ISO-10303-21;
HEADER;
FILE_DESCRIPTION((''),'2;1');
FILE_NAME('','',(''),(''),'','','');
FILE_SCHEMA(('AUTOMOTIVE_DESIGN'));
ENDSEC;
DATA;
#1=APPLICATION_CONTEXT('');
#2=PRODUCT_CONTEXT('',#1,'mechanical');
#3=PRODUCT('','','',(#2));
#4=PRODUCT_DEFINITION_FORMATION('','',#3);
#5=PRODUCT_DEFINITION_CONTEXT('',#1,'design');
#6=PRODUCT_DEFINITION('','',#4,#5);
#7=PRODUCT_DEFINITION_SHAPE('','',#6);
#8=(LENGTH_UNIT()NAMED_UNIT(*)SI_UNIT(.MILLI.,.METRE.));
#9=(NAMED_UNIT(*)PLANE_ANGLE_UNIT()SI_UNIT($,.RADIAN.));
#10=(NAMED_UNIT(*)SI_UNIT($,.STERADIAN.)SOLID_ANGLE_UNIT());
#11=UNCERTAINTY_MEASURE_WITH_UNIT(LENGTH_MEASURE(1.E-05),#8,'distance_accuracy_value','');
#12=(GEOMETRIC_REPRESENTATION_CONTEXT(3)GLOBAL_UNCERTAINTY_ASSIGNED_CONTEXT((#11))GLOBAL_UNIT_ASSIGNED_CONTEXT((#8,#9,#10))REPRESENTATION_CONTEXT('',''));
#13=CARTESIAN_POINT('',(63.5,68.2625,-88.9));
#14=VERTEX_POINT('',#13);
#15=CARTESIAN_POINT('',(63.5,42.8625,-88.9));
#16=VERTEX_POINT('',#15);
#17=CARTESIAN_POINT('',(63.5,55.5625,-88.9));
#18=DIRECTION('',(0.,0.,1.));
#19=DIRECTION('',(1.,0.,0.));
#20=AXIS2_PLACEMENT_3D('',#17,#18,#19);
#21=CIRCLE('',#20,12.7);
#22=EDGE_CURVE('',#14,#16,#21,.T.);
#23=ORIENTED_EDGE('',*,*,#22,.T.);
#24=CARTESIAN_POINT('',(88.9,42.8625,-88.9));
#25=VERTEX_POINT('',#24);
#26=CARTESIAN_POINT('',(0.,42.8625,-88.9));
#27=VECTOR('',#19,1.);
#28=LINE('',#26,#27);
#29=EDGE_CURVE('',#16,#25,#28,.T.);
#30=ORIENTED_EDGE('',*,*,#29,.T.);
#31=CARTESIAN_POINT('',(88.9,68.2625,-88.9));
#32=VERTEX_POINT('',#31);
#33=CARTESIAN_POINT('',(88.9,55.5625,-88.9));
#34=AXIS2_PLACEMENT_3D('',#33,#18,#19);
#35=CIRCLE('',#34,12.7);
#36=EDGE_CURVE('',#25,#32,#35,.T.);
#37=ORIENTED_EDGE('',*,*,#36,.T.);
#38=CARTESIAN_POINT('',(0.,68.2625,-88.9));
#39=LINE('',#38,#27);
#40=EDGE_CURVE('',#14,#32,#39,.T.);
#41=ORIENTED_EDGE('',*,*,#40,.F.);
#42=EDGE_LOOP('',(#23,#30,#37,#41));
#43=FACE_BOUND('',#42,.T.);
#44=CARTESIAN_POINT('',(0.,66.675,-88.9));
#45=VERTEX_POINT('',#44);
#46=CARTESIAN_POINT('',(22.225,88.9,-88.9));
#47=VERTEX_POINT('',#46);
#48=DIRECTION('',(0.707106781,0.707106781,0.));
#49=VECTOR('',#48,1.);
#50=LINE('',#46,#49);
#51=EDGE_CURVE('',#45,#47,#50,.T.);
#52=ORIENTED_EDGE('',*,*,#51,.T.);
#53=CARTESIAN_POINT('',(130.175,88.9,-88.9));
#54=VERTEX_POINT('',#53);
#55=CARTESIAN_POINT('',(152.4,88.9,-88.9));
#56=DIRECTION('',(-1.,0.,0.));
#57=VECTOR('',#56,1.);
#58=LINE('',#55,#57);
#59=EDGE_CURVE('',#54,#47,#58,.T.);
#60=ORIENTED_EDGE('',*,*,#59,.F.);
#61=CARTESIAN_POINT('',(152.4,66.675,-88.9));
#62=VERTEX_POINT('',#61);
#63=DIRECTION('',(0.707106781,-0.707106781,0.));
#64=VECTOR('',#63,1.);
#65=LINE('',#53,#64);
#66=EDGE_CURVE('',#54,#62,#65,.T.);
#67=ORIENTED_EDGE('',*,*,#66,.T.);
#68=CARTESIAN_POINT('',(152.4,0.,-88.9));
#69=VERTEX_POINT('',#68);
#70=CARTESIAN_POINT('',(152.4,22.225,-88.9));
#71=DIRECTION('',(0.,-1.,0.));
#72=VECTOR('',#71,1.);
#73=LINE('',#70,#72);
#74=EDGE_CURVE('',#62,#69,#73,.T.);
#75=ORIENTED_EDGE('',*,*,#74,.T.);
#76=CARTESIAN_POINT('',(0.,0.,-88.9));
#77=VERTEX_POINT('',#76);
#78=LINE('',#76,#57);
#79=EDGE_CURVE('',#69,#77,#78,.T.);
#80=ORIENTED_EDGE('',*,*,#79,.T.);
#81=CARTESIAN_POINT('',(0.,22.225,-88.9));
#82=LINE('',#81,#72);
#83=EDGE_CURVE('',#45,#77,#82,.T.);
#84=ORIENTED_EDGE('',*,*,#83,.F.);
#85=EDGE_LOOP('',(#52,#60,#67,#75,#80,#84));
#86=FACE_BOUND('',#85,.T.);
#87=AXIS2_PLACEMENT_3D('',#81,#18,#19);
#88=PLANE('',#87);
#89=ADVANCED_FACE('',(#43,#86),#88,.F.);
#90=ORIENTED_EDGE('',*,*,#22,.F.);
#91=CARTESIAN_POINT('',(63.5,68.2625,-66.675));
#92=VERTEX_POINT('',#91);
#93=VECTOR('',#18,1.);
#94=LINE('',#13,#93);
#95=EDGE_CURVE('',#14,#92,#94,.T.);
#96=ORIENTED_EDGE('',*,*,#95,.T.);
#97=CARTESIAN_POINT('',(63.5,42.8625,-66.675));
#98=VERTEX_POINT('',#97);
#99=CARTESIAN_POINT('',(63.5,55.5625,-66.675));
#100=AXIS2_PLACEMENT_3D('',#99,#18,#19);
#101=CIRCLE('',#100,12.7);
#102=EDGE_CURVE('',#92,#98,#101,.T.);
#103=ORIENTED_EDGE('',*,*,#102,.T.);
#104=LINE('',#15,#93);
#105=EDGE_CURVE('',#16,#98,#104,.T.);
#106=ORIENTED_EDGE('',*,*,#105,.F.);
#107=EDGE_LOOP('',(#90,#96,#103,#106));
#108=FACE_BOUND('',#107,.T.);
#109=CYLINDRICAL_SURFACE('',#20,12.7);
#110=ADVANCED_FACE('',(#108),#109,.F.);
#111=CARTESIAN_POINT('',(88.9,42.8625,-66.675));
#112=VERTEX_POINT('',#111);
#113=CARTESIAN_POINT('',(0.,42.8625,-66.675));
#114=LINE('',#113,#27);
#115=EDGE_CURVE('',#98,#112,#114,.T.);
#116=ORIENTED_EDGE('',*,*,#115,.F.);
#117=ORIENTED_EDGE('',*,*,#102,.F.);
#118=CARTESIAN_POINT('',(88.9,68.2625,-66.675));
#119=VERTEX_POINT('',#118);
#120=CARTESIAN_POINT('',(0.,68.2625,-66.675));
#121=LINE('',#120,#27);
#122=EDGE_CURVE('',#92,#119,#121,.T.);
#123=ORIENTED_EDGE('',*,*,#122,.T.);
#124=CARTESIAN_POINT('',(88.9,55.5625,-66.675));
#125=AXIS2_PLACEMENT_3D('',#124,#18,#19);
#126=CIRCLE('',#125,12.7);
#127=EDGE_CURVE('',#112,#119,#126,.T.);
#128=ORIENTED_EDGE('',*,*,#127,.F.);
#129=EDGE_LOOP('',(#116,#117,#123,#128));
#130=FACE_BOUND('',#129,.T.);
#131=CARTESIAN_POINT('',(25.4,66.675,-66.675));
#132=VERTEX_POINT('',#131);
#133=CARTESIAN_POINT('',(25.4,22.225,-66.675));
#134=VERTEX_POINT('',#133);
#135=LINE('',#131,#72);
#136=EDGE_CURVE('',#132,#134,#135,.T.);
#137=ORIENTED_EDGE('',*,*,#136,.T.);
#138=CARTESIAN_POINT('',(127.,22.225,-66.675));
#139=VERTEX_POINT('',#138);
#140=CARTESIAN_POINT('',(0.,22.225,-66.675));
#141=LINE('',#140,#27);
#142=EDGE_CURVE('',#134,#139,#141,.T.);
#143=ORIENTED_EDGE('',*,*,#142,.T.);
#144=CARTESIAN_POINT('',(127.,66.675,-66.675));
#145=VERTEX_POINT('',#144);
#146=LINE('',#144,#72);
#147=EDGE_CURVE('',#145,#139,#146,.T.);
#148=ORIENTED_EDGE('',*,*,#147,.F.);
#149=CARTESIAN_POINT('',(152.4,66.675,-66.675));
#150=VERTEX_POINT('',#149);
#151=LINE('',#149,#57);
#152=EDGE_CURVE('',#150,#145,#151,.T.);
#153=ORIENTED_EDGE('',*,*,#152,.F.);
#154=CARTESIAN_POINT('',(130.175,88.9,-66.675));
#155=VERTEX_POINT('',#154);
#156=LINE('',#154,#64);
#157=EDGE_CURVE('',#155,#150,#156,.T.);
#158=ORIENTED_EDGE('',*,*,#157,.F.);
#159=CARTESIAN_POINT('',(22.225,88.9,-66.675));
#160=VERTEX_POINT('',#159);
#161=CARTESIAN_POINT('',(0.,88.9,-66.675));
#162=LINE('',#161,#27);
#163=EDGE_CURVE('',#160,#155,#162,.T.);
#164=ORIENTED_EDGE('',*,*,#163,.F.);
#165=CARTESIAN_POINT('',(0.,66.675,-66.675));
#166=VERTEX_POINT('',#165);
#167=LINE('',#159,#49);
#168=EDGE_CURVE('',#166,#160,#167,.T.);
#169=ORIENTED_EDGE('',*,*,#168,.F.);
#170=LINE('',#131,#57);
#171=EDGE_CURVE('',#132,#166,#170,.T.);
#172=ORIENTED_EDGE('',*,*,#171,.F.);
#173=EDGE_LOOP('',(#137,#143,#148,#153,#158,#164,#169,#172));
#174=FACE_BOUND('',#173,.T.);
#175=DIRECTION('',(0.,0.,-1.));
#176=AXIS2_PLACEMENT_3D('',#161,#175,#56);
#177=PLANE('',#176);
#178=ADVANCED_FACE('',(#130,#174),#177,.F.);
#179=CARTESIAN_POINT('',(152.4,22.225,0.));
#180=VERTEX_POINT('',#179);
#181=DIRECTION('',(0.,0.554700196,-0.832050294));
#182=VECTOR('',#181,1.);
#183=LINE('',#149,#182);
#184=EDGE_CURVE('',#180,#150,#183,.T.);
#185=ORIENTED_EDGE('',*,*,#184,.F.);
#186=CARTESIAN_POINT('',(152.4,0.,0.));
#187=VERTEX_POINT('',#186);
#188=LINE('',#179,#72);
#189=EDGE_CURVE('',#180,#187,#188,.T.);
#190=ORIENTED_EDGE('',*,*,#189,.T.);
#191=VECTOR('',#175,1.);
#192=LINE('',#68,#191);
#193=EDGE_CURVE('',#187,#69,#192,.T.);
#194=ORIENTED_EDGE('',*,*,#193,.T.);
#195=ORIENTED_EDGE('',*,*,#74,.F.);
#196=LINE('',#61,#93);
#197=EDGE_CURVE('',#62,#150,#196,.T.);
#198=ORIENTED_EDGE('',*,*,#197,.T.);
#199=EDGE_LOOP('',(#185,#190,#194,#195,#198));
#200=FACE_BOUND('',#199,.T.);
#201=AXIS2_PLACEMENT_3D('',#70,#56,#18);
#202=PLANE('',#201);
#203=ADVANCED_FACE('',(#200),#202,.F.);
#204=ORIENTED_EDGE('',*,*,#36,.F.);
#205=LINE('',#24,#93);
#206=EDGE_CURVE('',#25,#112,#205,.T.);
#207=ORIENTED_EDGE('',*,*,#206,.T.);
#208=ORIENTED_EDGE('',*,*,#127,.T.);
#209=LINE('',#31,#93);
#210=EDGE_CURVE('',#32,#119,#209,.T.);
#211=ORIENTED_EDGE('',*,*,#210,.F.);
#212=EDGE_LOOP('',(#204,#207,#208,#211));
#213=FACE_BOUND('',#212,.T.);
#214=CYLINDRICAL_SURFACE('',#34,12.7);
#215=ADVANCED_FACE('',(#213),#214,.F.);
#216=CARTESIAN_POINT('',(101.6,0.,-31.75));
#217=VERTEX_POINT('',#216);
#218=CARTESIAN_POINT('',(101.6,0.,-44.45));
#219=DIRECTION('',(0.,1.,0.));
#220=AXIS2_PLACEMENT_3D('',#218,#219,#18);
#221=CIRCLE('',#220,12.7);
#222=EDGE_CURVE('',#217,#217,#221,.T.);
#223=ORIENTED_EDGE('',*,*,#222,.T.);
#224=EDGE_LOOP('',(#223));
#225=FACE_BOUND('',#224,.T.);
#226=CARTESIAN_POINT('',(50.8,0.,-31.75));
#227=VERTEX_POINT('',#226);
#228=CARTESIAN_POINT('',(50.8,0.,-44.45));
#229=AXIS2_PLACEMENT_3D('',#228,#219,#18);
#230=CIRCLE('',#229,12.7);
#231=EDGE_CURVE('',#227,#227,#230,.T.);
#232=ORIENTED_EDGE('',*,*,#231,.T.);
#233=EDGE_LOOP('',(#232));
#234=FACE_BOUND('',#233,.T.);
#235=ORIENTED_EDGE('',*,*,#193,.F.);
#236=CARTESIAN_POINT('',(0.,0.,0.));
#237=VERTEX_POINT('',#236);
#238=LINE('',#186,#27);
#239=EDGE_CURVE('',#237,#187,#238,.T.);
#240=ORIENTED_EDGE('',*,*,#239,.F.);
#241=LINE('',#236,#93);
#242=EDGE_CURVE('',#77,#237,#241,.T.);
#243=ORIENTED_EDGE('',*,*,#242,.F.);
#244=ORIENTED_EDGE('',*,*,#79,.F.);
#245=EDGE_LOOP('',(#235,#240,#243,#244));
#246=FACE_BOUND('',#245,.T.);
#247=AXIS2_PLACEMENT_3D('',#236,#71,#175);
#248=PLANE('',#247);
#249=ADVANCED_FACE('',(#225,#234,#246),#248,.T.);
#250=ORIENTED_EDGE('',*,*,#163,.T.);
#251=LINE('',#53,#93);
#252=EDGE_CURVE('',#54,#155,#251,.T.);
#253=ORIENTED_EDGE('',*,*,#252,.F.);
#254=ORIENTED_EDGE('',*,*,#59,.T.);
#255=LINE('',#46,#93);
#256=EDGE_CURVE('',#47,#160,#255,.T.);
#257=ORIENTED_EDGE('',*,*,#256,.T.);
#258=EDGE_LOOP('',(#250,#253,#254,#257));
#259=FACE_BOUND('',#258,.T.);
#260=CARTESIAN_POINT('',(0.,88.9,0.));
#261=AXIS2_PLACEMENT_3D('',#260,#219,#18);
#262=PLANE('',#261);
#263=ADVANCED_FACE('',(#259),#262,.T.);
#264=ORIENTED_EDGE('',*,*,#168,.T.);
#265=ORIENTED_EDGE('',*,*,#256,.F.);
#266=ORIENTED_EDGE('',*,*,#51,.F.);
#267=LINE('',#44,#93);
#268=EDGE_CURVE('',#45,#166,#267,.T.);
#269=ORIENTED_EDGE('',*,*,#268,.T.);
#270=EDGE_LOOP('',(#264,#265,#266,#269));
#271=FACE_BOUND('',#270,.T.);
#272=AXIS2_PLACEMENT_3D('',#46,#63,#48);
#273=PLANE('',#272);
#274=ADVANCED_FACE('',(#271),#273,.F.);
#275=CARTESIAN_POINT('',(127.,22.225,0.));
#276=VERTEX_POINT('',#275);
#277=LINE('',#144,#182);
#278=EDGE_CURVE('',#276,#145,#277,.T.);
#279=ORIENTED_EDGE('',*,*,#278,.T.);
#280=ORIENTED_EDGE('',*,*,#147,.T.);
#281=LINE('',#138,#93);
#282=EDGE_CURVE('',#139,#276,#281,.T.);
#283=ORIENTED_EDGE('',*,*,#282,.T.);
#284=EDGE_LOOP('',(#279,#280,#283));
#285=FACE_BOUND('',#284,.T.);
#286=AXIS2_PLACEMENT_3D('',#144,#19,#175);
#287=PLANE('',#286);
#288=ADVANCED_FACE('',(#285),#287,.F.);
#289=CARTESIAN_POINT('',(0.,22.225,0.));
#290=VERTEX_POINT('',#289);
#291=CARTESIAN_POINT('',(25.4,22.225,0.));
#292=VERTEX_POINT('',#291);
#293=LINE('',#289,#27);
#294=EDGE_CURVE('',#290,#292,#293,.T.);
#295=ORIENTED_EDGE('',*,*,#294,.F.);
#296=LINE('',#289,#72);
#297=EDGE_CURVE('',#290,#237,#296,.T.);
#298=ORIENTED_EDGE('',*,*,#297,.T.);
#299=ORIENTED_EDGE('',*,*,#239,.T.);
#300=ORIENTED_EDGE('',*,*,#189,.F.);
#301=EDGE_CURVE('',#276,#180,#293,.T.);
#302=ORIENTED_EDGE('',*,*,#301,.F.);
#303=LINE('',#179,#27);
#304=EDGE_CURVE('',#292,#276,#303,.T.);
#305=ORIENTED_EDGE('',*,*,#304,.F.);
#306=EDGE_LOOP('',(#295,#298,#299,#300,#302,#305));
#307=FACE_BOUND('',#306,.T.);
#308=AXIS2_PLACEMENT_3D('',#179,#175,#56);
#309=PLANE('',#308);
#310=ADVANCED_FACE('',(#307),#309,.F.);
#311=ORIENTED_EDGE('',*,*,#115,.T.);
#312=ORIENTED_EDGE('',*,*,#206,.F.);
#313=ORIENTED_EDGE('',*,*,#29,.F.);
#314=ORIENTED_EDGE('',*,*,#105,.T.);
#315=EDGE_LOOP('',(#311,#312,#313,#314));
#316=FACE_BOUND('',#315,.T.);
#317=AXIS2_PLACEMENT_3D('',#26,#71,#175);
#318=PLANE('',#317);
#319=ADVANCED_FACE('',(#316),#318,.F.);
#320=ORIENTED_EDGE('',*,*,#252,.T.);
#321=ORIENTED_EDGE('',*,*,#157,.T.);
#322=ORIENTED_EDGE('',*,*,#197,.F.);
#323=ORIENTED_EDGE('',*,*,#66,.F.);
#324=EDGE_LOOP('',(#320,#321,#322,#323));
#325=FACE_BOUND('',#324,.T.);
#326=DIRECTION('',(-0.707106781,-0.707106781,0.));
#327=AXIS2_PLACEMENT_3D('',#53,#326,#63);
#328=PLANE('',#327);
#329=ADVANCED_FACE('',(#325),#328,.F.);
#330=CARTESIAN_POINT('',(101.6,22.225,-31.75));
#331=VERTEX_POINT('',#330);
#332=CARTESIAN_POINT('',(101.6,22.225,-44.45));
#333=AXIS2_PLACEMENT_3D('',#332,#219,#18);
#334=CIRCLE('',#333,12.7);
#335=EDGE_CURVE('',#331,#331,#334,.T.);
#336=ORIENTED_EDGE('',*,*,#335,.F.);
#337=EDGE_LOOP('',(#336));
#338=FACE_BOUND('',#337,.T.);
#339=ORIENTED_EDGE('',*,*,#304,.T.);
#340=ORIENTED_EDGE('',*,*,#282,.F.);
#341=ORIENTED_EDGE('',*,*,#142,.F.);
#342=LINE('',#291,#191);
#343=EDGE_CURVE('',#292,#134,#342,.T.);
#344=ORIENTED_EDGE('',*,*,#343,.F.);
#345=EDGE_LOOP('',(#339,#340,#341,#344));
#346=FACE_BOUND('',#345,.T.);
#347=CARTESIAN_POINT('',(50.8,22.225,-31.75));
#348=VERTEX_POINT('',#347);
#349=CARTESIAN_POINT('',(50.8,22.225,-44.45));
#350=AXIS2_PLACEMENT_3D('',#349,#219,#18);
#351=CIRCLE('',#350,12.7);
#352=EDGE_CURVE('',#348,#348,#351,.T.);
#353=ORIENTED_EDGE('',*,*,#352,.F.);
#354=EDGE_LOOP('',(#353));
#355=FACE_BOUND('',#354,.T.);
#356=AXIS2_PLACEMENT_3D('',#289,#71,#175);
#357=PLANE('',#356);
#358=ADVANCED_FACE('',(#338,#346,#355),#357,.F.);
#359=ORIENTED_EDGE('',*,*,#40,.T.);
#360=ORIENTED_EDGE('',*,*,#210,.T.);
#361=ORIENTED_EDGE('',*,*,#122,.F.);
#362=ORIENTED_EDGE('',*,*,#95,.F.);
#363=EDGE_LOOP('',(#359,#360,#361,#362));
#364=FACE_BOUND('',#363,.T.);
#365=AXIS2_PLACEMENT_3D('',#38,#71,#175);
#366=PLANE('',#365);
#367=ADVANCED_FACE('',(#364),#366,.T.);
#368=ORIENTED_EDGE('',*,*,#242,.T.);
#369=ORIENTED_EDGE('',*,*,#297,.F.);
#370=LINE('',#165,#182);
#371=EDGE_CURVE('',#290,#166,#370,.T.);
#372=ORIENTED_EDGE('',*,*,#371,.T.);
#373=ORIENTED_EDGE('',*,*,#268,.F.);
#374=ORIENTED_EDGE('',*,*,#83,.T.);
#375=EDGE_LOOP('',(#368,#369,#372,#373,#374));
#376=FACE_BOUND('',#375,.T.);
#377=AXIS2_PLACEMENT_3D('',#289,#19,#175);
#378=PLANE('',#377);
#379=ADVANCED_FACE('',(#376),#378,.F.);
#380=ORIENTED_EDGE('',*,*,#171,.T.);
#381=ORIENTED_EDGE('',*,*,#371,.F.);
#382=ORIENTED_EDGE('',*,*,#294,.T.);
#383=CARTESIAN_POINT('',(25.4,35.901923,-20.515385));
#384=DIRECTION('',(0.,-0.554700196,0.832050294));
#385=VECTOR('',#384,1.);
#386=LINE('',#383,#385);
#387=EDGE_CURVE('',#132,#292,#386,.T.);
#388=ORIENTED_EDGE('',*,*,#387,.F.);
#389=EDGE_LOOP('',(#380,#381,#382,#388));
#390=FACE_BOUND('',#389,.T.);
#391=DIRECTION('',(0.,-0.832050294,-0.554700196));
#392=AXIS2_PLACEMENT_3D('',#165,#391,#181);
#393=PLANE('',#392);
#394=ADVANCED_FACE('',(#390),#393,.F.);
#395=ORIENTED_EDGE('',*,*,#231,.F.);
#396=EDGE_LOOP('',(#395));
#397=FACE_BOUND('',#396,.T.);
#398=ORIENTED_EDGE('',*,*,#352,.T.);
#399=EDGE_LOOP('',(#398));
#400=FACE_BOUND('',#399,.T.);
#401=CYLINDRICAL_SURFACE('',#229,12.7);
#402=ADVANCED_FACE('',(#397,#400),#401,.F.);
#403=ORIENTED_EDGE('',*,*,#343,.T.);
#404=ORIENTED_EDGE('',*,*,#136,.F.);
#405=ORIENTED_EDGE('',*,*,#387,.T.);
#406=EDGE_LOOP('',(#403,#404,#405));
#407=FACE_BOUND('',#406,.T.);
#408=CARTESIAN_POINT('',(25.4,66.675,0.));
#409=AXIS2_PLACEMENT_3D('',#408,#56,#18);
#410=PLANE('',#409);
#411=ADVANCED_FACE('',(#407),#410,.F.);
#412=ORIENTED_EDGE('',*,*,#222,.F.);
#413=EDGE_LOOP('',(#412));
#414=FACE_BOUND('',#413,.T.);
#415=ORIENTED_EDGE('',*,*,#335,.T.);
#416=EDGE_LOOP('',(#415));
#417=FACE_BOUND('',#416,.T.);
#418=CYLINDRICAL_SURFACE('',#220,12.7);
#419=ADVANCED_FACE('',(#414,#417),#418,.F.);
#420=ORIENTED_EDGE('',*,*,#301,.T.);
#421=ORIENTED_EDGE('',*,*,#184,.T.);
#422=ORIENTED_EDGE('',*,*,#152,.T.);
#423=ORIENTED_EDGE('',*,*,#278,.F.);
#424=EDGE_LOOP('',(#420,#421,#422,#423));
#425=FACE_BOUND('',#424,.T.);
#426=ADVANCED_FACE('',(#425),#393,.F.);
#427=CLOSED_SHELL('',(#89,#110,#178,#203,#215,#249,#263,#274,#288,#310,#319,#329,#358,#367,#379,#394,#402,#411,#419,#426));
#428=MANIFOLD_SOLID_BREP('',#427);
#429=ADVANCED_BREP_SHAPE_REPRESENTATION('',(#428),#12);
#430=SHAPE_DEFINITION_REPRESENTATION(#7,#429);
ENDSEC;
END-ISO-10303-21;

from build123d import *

# Parameters (mm, degrees)
BOSS_EXTRUDE2_DEPTH = 22.225
SKETCH4_W           = 25.4
SKETCH4_H           = 66.675
BOSS_EXTRUDE5_DEPTH = 44.45
CUT_EXTRUDE1_DEPTH  = 189.612103602
SKETCH6_W           = 152.4
SKETCH6_H           = 22.225
BOSS_EXTRUDE6_DEPTH = 66.675
CUT_EXTRUDE2_DEPTH  = 189.612103602
CUT_EXTRUDE3_DEPTH  = 189.612103602
SKETCH9_R           = 12.7
CUT_EXTRUDE4_DEPTH  = 189.612103602
CUT_EXTRUDE5_DEPTH  = 189.612103602


with BuildPart() as part:
    # Sketch1 → Boss-Extrude2 (new body)
    with BuildSketch(Plane(origin=(0, 0, 0), x_dir=(1, 0, 0), z_dir=(0, 1, 0))):
        Polygon((0, 0), (0, 88.9), (25.4, 88.9), (127, 88.9), (152.4, 88.9), (152.4, 0), align=None)
    extrude(amount=BOSS_EXTRUDE2_DEPTH)

    # Sketch4 → Boss-Extrude5 (add)
    with BuildSketch(Plane(origin=(0, 22.225, 0), x_dir=(1, 0, 0), z_dir=(0, 1, 0))):
        with Locations((12.7, 33.3375)):
            Rectangle(SKETCH4_W, SKETCH4_H)
        with Locations((139.7, 33.3375)):
            Rectangle(SKETCH4_W, SKETCH4_H)
    extrude(amount=BOSS_EXTRUDE5_DEPTH)

    # Sketch5 → Cut-Extrude1 (cut, through all)
    with BuildSketch(Plane(origin=(152.4, 0, 0), x_dir=(0, 0, -1), z_dir=(1, 0, 0))):
        Polygon((66.675, 66.675), (0, 22.225), (0, 66.675), align=None)
    extrude(amount=-CUT_EXTRUDE1_DEPTH, mode=Mode.SUBTRACT)

    # Sketch6 → Boss-Extrude6 (add)
    with BuildSketch(Plane(origin=(0, 22.225, 0), x_dir=(1, 0, 0), z_dir=(0, 1, 0))):
        with Locations((76.2, 77.7875)):
            Rectangle(SKETCH6_W, SKETCH6_H)
    extrude(amount=BOSS_EXTRUDE6_DEPTH)

    # Sketch7 → Cut-Extrude2 (cut, through all)
    with BuildSketch(Plane.XY.offset(-66.675)):
        Polygon((152.4, 66.675), (152.4, 88.9), (130.175, 88.9), align=None)
    extrude(amount=-CUT_EXTRUDE2_DEPTH, mode=Mode.SUBTRACT)

    # Sketch8 → Cut-Extrude3 (cut, through all)
    with BuildSketch(Plane.XY.offset(-66.675)):
        Polygon((0, 88.9), (22.225, 88.9), (0, 66.675), align=None)
    extrude(amount=-CUT_EXTRUDE3_DEPTH, mode=Mode.SUBTRACT)

    # Sketch9 → Cut-Extrude4 (cut, through all)
    with BuildSketch(Plane(origin=(0, 22.225, 0), x_dir=(1, 0, 0), z_dir=(0, 1, 0))):
        with Locations(Location((50.8, 44.45, 0), (0, 0, 270))):
            Circle(SKETCH9_R)
        with Locations(Location((101.6, 44.45, 0), (0, 0, 270))):
            Circle(SKETCH9_R)
    extrude(amount=-CUT_EXTRUDE4_DEPTH, mode=Mode.SUBTRACT)

    # Sketch12 → Cut-Extrude5 (cut, through all)
    with BuildSketch(Plane.XY.offset(-66.675)):
        with BuildLine():
            Line((63.5, 68.2625), (88.9, 68.2625))
            ThreePointArc((88.9, 68.2625), (101.6, 55.5625), (88.9, 42.8625))
            Line((88.9, 42.8625), (63.5, 42.8625))
            ThreePointArc((63.5, 42.8625), (50.8, 55.5625), (63.5, 68.2625))
        make_face()
    extrude(amount=-CUT_EXTRUDE5_DEPTH, mode=Mode.SUBTRACT)


solid = part.part
